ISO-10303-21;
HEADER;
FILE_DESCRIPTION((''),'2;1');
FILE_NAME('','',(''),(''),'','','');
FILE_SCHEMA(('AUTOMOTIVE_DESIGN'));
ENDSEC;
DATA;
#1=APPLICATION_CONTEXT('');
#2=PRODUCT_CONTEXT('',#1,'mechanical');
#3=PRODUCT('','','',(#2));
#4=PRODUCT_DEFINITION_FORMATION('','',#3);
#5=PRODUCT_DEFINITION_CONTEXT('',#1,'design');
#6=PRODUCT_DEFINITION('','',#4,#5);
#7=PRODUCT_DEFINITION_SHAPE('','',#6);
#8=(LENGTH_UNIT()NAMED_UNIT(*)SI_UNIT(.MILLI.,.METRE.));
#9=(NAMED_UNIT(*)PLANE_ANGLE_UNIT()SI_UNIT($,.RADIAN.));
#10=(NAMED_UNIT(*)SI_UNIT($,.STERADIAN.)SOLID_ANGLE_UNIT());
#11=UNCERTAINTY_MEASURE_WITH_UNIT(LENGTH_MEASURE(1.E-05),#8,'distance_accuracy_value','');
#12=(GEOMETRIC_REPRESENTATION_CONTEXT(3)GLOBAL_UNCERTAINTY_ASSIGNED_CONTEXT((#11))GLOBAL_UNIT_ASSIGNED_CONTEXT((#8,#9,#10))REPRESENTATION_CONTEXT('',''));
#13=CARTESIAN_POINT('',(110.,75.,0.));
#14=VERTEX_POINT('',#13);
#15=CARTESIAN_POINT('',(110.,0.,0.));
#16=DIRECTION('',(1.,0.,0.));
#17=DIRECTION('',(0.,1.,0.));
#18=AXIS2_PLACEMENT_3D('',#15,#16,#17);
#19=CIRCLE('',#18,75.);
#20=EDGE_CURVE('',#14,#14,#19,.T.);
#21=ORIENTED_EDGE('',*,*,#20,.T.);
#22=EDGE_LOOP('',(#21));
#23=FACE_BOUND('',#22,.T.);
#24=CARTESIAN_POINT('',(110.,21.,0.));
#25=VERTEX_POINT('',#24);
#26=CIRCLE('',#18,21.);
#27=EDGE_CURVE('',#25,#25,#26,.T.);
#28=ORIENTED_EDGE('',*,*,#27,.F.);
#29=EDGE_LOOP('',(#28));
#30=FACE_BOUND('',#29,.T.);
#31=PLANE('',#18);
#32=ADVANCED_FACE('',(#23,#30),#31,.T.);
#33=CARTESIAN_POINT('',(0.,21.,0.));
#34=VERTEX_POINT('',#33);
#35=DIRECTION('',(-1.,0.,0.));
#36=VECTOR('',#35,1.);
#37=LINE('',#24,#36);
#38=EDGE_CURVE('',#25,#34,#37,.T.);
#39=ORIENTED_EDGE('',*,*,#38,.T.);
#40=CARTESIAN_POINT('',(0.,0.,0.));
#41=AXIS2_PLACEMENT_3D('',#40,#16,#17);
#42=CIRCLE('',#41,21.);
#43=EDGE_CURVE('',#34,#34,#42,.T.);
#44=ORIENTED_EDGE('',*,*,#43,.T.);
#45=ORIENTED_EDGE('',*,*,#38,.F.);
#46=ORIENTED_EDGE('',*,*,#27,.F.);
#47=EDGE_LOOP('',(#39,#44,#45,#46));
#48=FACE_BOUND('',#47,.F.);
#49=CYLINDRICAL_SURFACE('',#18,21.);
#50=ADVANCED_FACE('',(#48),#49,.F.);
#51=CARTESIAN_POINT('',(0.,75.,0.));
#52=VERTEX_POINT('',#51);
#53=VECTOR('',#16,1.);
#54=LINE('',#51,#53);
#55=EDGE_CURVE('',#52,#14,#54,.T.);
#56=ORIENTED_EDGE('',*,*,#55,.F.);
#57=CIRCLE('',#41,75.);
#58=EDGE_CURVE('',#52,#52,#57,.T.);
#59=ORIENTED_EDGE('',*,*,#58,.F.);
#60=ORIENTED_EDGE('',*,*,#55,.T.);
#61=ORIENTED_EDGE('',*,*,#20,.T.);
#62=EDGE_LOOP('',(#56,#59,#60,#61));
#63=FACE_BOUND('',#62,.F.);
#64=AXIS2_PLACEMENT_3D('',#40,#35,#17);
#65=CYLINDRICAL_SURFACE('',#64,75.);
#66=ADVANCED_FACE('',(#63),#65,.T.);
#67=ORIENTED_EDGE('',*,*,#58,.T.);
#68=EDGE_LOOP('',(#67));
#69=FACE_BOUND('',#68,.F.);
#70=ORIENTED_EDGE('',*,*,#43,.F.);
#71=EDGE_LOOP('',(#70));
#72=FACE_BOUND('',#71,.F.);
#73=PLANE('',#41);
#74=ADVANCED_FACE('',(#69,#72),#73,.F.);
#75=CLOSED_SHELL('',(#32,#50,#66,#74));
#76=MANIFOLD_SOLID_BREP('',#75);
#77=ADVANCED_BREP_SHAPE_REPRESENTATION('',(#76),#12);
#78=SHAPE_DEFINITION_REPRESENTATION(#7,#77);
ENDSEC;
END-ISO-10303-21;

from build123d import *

# Parameters (mm, degrees)
F0_R     = 75
F1_DEPTH = 110
F2_R     = 21
F3_DEPTH = 110.001


with BuildPart() as f1:
    # F0 (on Right) → F1 (new body)
    with BuildSketch(Plane.YZ):
        Circle(F0_R)
    extrude(amount=F1_DEPTH)

    # F2 (on face) → F3 (cut, through all)
    with BuildSketch(Plane.YZ.offset(110)):
        Circle(F2_R)
    extrude(amount=-F3_DEPTH, mode=Mode.SUBTRACT)


solid = f1.part
